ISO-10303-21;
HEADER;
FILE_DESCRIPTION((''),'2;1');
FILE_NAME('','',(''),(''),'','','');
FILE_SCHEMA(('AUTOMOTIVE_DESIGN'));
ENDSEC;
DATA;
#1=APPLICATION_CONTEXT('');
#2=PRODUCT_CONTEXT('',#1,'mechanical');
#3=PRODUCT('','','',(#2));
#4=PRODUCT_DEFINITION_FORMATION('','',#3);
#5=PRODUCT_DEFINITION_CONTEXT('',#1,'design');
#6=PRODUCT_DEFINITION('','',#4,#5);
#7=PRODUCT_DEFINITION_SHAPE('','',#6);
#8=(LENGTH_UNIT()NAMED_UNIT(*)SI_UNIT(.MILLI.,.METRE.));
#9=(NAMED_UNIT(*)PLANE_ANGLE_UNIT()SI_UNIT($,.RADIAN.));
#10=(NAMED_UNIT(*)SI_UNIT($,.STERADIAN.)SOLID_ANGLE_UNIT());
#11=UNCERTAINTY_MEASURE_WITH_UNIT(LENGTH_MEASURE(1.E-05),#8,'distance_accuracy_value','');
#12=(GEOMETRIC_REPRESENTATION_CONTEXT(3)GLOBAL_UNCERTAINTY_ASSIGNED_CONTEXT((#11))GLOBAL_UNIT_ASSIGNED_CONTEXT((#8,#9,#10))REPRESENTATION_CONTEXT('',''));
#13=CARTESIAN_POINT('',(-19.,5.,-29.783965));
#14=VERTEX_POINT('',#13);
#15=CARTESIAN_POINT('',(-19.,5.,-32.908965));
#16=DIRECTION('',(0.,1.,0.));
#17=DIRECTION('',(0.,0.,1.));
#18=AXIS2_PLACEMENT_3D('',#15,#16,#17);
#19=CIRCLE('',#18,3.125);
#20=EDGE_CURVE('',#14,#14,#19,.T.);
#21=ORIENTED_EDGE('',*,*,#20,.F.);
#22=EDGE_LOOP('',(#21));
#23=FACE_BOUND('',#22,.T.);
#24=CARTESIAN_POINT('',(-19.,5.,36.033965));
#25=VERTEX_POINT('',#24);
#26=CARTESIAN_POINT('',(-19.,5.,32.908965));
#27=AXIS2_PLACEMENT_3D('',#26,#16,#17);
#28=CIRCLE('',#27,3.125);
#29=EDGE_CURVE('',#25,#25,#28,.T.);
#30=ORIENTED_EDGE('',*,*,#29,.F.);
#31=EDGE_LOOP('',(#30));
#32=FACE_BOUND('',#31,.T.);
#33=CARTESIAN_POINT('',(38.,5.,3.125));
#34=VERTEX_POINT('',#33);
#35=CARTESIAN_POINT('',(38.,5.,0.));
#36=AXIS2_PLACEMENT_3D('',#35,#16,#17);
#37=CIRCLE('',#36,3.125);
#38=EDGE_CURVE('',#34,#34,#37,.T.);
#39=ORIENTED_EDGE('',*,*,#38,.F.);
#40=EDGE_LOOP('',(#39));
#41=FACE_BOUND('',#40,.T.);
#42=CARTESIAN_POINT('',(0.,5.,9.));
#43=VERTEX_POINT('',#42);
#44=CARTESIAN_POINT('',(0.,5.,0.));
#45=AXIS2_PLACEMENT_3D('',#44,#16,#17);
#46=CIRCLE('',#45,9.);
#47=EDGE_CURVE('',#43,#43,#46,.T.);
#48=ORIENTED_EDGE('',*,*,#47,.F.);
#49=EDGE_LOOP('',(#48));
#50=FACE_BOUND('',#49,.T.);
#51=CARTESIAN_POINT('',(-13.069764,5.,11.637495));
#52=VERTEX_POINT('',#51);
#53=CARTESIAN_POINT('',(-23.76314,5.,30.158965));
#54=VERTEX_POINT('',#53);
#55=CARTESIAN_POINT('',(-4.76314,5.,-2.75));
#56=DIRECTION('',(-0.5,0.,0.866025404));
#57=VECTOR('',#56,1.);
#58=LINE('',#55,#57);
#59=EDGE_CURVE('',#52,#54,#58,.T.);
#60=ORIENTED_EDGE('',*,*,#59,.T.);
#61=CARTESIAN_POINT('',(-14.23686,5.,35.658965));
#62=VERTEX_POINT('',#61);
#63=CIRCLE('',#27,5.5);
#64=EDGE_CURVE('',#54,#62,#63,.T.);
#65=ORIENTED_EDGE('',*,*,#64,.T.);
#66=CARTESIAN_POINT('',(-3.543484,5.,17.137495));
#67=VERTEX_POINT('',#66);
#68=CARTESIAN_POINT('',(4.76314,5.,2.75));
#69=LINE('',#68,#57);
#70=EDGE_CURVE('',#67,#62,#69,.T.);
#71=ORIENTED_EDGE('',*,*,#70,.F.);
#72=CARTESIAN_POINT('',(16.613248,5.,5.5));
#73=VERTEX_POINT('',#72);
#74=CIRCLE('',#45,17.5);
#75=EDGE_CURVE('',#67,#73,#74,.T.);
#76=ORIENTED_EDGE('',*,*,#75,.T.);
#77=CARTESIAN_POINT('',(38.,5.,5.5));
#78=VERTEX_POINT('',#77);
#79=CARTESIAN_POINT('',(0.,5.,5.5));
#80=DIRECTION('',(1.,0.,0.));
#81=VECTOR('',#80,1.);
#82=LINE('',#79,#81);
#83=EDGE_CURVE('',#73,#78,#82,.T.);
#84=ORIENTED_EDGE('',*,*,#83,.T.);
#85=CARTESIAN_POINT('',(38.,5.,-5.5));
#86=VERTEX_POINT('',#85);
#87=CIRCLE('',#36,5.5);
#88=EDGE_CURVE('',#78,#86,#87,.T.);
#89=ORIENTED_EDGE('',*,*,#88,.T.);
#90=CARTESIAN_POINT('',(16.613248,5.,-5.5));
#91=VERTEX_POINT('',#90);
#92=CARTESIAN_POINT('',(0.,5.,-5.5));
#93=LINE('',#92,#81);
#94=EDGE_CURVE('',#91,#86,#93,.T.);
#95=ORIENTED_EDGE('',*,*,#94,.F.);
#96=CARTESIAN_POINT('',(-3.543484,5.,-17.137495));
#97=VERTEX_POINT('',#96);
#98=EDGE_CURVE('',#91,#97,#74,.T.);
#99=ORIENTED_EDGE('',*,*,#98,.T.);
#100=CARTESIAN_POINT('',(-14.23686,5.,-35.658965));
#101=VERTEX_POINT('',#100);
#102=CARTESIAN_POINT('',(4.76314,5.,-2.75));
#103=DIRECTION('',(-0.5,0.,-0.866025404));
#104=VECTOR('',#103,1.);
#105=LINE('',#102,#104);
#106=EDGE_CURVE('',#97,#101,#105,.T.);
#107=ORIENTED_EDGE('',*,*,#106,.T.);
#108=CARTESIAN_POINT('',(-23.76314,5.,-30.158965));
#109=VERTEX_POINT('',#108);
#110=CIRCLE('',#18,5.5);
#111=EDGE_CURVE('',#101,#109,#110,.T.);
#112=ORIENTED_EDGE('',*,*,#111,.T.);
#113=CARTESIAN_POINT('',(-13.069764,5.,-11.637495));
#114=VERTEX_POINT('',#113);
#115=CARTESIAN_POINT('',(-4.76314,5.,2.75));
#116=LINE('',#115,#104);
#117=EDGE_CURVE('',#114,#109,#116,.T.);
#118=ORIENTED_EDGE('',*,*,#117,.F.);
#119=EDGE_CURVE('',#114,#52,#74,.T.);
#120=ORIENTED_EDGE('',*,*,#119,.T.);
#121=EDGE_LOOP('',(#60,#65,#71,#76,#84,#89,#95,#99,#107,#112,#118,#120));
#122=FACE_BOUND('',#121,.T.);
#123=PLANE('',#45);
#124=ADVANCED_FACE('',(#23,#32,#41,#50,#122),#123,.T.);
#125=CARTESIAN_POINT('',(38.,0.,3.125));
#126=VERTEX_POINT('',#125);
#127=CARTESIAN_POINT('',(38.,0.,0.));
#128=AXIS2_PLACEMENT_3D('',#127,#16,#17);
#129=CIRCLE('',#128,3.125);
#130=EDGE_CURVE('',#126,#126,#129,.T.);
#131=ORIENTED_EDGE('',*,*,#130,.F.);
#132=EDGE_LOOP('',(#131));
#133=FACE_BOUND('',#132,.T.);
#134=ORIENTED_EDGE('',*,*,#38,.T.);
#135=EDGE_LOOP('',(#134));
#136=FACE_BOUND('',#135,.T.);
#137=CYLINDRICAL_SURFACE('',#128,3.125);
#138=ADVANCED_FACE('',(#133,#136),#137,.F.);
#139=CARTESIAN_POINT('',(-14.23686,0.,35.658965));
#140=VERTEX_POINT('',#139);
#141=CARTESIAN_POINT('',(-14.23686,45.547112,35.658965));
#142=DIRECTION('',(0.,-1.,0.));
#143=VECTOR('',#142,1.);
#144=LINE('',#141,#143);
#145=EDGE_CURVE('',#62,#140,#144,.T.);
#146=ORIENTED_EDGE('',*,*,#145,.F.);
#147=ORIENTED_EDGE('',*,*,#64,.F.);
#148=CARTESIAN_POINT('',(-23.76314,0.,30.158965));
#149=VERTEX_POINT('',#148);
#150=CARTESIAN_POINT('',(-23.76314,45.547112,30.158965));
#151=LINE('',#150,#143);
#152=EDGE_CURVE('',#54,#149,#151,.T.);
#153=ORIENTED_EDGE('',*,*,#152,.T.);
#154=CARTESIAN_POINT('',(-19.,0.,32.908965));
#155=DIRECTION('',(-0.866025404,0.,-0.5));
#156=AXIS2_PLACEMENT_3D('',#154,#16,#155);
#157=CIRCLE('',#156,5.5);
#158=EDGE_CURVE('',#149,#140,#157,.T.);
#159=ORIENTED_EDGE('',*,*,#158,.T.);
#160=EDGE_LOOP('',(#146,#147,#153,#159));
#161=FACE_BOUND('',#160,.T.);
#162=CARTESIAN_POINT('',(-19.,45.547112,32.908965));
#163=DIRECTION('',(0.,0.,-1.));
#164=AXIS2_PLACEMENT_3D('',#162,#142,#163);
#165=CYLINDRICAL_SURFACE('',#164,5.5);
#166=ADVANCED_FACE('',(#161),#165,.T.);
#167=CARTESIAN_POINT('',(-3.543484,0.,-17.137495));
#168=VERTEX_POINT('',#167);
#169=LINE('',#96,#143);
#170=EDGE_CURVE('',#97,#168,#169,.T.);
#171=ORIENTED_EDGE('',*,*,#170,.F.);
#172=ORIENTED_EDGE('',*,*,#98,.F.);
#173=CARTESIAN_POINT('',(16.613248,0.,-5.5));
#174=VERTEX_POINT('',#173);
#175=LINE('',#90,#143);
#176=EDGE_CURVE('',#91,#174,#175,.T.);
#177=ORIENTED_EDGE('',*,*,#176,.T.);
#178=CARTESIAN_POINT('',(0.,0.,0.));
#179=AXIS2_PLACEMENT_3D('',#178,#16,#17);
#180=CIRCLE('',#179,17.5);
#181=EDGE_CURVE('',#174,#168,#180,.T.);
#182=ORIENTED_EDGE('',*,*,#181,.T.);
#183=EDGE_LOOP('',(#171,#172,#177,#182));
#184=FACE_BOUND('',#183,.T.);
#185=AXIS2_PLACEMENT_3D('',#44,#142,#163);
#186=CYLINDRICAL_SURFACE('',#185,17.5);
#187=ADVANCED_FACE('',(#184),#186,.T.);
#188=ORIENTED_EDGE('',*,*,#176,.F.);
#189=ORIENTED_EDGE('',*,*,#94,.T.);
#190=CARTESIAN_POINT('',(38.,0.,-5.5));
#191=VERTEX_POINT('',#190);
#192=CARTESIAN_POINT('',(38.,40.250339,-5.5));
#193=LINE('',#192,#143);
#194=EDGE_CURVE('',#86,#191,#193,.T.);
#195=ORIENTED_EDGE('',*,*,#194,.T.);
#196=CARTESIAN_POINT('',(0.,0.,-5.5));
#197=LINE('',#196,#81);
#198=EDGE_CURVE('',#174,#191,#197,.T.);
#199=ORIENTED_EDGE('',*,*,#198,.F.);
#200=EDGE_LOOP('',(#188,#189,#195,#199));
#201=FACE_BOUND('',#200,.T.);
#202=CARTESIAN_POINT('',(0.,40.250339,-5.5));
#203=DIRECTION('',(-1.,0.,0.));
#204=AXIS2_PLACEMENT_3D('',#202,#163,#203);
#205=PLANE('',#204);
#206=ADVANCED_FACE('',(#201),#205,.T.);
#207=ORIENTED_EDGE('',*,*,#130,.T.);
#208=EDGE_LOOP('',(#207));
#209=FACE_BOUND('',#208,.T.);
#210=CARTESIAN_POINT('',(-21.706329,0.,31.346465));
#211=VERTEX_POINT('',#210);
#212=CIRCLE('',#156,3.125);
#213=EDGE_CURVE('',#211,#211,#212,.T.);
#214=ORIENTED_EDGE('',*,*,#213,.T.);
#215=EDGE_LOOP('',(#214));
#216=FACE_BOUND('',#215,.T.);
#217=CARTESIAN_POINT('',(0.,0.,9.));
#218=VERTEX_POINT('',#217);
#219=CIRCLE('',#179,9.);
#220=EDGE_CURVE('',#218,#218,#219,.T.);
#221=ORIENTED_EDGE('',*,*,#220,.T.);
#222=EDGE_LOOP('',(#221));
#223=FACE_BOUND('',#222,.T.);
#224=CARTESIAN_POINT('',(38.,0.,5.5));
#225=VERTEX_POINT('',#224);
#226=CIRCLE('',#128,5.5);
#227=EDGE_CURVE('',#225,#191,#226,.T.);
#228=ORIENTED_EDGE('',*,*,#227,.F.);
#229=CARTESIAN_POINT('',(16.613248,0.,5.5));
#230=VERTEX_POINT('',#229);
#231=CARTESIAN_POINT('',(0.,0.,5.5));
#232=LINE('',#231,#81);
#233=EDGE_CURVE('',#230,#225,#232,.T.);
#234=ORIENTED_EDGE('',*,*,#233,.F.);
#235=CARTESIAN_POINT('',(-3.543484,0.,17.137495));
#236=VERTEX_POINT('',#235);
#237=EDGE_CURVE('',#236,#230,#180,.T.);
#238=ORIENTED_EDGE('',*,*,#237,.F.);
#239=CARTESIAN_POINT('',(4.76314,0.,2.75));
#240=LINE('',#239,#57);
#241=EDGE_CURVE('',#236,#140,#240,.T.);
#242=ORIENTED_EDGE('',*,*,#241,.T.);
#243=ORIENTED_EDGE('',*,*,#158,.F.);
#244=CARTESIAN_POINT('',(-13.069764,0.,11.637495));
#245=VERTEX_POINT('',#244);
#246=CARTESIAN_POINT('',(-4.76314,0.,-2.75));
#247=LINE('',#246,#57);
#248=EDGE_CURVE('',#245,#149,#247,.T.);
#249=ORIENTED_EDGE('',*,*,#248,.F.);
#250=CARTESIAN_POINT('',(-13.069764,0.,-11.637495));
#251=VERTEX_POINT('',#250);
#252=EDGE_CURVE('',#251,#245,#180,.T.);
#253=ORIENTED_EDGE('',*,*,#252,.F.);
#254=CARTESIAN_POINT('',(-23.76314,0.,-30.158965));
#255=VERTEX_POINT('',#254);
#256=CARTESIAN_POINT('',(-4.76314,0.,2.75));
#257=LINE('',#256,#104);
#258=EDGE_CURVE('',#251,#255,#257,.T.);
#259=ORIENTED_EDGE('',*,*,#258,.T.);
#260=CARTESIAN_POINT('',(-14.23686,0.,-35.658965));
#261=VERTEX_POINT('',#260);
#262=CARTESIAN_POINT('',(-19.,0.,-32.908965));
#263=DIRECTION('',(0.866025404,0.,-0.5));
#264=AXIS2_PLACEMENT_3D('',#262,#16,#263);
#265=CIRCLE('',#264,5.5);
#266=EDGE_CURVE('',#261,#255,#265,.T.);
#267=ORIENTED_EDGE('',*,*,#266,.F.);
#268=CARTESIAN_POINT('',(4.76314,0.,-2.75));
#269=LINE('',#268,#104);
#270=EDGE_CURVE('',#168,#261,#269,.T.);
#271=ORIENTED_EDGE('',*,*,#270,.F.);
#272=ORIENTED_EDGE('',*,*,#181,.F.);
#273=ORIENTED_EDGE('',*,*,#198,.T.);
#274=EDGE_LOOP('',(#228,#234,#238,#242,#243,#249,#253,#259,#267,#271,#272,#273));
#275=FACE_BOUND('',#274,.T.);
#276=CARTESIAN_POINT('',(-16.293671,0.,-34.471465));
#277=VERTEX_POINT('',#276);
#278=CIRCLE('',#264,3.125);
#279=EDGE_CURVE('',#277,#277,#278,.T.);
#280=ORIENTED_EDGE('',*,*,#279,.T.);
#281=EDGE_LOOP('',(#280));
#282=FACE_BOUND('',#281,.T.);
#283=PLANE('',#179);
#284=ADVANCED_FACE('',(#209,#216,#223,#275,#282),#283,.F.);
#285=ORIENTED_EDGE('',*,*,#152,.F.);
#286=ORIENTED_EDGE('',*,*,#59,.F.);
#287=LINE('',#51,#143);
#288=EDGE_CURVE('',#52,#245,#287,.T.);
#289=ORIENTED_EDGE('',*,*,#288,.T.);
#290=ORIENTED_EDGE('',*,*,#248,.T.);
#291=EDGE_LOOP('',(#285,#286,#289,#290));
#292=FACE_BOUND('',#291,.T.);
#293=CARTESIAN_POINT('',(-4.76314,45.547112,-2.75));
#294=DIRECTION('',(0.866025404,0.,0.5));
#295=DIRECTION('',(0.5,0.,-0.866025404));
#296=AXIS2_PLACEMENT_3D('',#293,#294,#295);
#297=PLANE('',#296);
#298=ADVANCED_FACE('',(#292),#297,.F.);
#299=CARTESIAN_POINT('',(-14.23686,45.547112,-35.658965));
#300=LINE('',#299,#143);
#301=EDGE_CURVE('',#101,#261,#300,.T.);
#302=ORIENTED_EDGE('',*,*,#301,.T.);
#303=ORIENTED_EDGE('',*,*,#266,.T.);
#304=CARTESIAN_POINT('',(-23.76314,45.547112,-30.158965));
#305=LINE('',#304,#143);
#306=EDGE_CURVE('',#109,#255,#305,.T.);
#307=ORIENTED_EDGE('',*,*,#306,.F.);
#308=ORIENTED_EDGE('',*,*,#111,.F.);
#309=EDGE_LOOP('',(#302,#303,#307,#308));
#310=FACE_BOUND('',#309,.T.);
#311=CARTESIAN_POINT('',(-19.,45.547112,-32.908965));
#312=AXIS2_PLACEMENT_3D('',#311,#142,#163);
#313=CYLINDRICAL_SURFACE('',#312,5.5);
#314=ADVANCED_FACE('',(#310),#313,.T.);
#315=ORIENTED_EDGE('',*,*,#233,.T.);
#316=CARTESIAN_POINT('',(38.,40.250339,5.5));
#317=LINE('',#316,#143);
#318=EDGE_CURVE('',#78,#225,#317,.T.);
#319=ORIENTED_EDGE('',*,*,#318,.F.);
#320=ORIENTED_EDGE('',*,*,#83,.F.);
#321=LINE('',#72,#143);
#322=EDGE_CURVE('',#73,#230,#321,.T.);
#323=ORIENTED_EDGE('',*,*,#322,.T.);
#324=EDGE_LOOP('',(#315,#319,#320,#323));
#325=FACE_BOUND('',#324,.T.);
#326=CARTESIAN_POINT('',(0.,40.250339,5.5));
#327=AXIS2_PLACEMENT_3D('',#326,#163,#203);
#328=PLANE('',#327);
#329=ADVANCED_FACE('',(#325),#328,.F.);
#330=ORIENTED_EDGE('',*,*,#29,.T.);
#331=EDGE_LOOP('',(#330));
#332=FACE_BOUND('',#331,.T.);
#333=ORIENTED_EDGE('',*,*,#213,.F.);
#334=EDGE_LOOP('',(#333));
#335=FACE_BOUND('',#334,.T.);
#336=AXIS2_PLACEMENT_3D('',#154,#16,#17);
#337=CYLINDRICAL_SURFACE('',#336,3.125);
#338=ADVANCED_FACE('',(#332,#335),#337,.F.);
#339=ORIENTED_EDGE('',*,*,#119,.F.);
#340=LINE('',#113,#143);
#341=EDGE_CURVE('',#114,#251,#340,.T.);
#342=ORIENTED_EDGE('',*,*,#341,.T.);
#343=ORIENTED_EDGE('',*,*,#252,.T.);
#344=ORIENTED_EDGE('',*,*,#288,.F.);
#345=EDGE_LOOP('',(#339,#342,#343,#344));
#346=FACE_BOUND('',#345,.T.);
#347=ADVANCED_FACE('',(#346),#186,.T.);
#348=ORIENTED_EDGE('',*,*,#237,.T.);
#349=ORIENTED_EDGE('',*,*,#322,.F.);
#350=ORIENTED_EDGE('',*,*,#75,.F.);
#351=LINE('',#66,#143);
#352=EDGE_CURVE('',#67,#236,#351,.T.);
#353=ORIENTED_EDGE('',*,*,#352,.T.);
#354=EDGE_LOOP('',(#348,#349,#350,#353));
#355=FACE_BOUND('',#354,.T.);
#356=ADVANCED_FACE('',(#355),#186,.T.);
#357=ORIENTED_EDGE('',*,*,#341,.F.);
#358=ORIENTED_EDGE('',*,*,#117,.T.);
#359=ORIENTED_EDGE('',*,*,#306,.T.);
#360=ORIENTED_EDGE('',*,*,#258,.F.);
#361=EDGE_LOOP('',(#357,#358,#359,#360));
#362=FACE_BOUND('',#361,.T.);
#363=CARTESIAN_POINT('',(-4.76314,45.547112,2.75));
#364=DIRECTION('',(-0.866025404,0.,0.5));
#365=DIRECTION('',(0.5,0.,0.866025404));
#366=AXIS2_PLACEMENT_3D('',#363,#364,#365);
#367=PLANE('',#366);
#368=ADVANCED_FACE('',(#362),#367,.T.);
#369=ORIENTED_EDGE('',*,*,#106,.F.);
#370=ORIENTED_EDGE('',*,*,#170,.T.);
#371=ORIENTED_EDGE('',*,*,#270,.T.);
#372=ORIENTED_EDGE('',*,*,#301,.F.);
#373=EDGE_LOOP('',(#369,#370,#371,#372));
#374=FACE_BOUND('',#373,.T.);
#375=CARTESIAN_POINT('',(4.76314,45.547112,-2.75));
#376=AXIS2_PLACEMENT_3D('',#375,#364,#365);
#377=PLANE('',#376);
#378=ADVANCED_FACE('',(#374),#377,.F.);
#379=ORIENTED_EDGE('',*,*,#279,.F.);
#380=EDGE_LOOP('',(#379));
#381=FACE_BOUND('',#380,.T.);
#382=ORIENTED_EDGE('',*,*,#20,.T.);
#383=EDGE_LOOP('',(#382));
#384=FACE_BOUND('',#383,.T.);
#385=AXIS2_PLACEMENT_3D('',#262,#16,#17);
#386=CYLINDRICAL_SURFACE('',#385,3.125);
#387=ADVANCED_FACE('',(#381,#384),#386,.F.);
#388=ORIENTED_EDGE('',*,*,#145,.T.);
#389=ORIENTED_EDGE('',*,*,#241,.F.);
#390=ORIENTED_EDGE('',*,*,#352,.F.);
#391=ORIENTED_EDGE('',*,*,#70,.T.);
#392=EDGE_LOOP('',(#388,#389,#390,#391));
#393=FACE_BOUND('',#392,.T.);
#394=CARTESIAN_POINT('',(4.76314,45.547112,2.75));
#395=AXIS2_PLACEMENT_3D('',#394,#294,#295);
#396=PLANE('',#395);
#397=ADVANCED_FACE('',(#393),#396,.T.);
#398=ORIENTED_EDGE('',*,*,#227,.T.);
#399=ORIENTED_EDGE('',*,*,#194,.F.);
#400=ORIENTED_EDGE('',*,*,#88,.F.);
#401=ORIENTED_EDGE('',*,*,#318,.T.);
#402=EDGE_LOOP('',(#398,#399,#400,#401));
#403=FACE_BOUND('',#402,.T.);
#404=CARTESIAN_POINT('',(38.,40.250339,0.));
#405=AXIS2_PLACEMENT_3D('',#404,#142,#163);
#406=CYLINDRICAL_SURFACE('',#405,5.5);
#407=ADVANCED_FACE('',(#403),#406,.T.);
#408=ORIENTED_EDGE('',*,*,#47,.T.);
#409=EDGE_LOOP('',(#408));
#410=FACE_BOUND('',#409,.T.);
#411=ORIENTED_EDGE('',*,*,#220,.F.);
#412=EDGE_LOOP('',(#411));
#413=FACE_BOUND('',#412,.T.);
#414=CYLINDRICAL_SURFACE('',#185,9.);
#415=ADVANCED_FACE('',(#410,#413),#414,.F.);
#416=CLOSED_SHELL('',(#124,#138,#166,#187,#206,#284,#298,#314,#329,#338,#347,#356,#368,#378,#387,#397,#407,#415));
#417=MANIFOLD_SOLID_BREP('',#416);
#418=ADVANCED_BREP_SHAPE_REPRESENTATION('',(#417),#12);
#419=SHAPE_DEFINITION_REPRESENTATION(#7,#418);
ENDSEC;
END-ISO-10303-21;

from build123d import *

# Parameters (mm, degrees)
SKETCH1_R           = 17.5
SKETCH1_R_2         = 9
BOSS_EXTRUDE1_DEPTH = 5
BOSS_EXTRUDE3_DEPTH = 5
CUT_EXTRUDE1_START  = -6
SKETCH4_R           = 3.125
CUT_EXTRUDE1_DEPTH  = 7
CIRPATTERN1_COUNT   = 3


with BuildPart() as part:
    # Sketch1 → Boss-Extrude1 (new body)
    with BuildSketch(Plane(origin=(0, 0, 0), x_dir=(1, 0, 0), z_dir=(0, 1, 0))):
        Circle(SKETCH1_R)
        Circle(SKETCH1_R_2, mode=Mode.SUBTRACT)
    extrude(amount=BOSS_EXTRUDE1_DEPTH)

    # Sketch3 → Boss-Extrude3 (add)
    with BuildSketch(Plane(origin=(0, 0, 0), x_dir=(1, 0, 0), z_dir=(0, 1, 0))):
        with BuildLine():
            Line((38, 5.5), (10.009906254, 5.5))
            Line((10.009906254, 5.5), (10.009906254, -5.5))
            Line((10.009906254, -5.5), (38, -5.5))
            ThreePointArc((38, -5.5), (32.5, 0), (38, 5.5))
        make_face()
        with BuildLine():
            ThreePointArc((43.5, 0), (41.889087297, 3.889087297), (38, 5.5))
            Line((38, 5.5), (38, -5.5))
            ThreePointArc((38, -5.5), (41.889087297, -3.889087297), (43.5, 0))
        make_face()
        with BuildLine():
            Line((38, -5.5), (38, 5.5))
            ThreePointArc((38, 5.5), (32.5, 0), (38, -5.5))
        make_face()
    boss_extrude3 = extrude(amount=BOSS_EXTRUDE3_DEPTH)

    # Sketch4 → Cut-Extrude1 (cut)
    with BuildSketch(Plane(origin=(0, 5, 0), x_dir=(1, 0, 0), z_dir=(0, 1, 0)).offset(CUT_EXTRUDE1_START)):
        with Locations((38, 0)):
            Circle(SKETCH4_R)
    cut_extrude1 = extrude(amount=CUT_EXTRUDE1_DEPTH, mode=Mode.SUBTRACT)

    # CirPattern1: Boss-Extrude3, Cut-Extrude1 ×3 about axis
    cirpattern1_axis = Axis((0, 0, 0), (0, 1, 0))
    for i in range(1, CIRPATTERN1_COUNT):
        add(boss_extrude3.rotate(cirpattern1_axis, i * 360 / CIRPATTERN1_COUNT))
        add(cut_extrude1.rotate(cirpattern1_axis, i * 360 / CIRPATTERN1_COUNT), mode=Mode.SUBTRACT)


solid = part.part
